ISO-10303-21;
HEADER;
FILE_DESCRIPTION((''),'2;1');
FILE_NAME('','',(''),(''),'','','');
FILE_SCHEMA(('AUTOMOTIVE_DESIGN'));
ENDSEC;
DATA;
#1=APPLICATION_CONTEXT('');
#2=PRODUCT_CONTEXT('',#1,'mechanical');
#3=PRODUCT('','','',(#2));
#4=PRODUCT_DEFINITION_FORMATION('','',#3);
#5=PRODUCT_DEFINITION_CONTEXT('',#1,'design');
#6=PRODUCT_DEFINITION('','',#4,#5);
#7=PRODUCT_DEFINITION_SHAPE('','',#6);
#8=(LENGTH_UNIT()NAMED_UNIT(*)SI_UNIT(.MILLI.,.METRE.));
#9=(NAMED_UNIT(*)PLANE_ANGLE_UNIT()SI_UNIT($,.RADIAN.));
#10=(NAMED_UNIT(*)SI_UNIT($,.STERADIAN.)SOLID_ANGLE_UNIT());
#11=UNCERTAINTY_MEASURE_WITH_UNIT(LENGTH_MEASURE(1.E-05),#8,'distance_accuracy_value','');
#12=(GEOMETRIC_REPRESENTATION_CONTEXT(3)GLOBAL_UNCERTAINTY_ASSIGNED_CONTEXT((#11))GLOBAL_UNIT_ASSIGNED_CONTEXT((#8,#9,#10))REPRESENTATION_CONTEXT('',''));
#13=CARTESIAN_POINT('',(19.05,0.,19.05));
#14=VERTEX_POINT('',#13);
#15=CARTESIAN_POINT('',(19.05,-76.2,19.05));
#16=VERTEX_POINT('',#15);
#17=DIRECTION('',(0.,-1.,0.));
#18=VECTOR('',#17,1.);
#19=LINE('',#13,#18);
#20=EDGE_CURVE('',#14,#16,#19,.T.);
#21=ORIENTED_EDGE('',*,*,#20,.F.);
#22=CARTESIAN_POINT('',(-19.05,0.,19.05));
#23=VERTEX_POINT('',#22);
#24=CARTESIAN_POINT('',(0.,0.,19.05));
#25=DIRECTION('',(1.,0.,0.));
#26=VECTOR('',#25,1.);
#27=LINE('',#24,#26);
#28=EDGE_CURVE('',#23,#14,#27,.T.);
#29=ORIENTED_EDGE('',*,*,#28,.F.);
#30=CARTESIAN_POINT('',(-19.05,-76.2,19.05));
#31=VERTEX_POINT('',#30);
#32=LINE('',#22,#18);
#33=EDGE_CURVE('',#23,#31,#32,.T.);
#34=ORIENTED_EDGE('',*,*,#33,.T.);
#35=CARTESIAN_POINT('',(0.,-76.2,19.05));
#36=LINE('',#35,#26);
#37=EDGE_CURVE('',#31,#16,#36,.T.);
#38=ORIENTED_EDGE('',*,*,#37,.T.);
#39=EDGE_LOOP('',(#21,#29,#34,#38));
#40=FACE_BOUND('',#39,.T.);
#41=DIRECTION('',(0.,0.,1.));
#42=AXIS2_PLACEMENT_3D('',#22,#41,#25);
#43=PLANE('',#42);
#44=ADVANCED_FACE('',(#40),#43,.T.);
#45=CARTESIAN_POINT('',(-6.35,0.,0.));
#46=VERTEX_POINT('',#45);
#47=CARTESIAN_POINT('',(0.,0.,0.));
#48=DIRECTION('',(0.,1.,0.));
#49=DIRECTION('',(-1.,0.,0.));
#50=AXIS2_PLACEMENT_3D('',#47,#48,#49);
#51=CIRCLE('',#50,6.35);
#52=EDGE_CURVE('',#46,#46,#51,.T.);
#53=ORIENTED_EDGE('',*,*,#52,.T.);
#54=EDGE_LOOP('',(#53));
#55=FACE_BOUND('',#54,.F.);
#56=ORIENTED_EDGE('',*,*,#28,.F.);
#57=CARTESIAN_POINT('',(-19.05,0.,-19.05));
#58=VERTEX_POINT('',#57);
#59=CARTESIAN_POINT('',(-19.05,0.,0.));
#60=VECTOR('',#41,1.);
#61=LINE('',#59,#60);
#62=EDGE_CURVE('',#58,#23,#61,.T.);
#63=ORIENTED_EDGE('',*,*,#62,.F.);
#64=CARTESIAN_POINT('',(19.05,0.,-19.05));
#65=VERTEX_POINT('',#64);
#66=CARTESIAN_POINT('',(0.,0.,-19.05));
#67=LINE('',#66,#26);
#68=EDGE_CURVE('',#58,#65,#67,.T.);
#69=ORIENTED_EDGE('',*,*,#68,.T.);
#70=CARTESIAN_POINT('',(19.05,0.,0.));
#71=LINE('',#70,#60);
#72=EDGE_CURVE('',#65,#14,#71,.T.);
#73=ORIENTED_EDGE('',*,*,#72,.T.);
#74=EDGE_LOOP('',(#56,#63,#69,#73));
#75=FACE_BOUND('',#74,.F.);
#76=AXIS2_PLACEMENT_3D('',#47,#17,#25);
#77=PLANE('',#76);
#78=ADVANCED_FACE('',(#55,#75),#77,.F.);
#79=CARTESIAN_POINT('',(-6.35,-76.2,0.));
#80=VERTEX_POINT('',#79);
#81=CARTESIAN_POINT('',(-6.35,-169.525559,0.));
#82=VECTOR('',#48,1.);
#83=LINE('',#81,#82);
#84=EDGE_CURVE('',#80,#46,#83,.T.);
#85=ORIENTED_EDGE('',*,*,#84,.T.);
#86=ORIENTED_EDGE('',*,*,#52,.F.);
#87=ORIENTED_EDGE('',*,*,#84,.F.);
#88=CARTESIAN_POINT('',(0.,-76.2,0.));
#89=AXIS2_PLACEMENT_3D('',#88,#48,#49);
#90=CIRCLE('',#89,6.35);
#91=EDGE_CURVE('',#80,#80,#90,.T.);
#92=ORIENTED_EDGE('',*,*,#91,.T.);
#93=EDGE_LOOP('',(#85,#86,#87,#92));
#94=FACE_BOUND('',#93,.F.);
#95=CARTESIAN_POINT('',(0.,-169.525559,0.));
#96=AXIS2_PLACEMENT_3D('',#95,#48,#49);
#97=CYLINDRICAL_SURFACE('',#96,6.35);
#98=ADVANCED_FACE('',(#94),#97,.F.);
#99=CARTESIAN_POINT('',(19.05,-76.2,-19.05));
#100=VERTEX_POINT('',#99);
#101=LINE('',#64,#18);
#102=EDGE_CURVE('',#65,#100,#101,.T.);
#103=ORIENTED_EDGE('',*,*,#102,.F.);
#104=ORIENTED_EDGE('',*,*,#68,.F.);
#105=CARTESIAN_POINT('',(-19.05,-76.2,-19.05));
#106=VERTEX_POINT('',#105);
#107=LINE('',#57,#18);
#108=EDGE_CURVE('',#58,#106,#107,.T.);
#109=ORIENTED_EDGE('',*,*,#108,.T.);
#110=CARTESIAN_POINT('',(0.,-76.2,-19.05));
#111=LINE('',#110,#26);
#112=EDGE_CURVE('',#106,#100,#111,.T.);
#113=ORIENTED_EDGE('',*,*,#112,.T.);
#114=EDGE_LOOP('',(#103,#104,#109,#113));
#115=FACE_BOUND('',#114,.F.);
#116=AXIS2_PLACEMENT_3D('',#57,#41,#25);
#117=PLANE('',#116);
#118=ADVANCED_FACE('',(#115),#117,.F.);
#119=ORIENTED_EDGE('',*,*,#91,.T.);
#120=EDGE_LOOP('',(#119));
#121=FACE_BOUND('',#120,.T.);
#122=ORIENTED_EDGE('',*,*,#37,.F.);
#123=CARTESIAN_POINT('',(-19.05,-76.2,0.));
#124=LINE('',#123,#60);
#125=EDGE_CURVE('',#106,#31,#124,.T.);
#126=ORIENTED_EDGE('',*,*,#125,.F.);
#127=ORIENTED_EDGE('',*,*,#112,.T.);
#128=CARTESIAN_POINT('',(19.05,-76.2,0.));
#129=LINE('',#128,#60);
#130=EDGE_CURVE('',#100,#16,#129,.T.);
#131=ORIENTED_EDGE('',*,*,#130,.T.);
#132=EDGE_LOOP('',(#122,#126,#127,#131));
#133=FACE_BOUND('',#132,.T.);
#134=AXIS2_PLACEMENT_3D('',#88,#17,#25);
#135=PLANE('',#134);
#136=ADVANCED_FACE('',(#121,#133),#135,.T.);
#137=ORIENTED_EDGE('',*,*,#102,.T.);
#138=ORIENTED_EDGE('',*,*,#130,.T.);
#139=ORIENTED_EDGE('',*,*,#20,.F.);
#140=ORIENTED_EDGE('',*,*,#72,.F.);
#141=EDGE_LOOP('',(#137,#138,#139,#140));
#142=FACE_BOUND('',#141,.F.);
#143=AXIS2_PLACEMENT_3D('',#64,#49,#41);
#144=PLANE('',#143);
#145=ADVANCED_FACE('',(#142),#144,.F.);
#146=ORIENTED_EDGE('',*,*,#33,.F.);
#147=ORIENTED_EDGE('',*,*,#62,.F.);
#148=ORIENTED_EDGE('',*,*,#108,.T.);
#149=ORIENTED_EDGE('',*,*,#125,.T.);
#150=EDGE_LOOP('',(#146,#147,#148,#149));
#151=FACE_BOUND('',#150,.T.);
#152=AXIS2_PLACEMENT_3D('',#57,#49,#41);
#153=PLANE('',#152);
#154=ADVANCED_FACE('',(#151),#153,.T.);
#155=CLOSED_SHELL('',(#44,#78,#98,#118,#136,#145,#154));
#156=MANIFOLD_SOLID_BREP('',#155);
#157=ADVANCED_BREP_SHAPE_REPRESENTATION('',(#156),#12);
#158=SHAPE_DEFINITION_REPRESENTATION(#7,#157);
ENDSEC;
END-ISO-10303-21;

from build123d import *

# Parameters (mm, degrees)
F0_W     = 38.1
F0_H     = 38.1
F1_DEPTH = 76.2
F3_D     = 12.7


with BuildPart() as f1:
    # F0 (on Front) → F1 (new body)
    with BuildSketch(Plane.XZ):
        Rectangle(F0_W, F0_H)
    extrude(amount=F1_DEPTH)

    # F3 (through all)
    with Locations(Plane.XZ.offset(76.2)):
        with Locations((0, 0)):
            Hole(F3_D / 2)


solid = f1.part
